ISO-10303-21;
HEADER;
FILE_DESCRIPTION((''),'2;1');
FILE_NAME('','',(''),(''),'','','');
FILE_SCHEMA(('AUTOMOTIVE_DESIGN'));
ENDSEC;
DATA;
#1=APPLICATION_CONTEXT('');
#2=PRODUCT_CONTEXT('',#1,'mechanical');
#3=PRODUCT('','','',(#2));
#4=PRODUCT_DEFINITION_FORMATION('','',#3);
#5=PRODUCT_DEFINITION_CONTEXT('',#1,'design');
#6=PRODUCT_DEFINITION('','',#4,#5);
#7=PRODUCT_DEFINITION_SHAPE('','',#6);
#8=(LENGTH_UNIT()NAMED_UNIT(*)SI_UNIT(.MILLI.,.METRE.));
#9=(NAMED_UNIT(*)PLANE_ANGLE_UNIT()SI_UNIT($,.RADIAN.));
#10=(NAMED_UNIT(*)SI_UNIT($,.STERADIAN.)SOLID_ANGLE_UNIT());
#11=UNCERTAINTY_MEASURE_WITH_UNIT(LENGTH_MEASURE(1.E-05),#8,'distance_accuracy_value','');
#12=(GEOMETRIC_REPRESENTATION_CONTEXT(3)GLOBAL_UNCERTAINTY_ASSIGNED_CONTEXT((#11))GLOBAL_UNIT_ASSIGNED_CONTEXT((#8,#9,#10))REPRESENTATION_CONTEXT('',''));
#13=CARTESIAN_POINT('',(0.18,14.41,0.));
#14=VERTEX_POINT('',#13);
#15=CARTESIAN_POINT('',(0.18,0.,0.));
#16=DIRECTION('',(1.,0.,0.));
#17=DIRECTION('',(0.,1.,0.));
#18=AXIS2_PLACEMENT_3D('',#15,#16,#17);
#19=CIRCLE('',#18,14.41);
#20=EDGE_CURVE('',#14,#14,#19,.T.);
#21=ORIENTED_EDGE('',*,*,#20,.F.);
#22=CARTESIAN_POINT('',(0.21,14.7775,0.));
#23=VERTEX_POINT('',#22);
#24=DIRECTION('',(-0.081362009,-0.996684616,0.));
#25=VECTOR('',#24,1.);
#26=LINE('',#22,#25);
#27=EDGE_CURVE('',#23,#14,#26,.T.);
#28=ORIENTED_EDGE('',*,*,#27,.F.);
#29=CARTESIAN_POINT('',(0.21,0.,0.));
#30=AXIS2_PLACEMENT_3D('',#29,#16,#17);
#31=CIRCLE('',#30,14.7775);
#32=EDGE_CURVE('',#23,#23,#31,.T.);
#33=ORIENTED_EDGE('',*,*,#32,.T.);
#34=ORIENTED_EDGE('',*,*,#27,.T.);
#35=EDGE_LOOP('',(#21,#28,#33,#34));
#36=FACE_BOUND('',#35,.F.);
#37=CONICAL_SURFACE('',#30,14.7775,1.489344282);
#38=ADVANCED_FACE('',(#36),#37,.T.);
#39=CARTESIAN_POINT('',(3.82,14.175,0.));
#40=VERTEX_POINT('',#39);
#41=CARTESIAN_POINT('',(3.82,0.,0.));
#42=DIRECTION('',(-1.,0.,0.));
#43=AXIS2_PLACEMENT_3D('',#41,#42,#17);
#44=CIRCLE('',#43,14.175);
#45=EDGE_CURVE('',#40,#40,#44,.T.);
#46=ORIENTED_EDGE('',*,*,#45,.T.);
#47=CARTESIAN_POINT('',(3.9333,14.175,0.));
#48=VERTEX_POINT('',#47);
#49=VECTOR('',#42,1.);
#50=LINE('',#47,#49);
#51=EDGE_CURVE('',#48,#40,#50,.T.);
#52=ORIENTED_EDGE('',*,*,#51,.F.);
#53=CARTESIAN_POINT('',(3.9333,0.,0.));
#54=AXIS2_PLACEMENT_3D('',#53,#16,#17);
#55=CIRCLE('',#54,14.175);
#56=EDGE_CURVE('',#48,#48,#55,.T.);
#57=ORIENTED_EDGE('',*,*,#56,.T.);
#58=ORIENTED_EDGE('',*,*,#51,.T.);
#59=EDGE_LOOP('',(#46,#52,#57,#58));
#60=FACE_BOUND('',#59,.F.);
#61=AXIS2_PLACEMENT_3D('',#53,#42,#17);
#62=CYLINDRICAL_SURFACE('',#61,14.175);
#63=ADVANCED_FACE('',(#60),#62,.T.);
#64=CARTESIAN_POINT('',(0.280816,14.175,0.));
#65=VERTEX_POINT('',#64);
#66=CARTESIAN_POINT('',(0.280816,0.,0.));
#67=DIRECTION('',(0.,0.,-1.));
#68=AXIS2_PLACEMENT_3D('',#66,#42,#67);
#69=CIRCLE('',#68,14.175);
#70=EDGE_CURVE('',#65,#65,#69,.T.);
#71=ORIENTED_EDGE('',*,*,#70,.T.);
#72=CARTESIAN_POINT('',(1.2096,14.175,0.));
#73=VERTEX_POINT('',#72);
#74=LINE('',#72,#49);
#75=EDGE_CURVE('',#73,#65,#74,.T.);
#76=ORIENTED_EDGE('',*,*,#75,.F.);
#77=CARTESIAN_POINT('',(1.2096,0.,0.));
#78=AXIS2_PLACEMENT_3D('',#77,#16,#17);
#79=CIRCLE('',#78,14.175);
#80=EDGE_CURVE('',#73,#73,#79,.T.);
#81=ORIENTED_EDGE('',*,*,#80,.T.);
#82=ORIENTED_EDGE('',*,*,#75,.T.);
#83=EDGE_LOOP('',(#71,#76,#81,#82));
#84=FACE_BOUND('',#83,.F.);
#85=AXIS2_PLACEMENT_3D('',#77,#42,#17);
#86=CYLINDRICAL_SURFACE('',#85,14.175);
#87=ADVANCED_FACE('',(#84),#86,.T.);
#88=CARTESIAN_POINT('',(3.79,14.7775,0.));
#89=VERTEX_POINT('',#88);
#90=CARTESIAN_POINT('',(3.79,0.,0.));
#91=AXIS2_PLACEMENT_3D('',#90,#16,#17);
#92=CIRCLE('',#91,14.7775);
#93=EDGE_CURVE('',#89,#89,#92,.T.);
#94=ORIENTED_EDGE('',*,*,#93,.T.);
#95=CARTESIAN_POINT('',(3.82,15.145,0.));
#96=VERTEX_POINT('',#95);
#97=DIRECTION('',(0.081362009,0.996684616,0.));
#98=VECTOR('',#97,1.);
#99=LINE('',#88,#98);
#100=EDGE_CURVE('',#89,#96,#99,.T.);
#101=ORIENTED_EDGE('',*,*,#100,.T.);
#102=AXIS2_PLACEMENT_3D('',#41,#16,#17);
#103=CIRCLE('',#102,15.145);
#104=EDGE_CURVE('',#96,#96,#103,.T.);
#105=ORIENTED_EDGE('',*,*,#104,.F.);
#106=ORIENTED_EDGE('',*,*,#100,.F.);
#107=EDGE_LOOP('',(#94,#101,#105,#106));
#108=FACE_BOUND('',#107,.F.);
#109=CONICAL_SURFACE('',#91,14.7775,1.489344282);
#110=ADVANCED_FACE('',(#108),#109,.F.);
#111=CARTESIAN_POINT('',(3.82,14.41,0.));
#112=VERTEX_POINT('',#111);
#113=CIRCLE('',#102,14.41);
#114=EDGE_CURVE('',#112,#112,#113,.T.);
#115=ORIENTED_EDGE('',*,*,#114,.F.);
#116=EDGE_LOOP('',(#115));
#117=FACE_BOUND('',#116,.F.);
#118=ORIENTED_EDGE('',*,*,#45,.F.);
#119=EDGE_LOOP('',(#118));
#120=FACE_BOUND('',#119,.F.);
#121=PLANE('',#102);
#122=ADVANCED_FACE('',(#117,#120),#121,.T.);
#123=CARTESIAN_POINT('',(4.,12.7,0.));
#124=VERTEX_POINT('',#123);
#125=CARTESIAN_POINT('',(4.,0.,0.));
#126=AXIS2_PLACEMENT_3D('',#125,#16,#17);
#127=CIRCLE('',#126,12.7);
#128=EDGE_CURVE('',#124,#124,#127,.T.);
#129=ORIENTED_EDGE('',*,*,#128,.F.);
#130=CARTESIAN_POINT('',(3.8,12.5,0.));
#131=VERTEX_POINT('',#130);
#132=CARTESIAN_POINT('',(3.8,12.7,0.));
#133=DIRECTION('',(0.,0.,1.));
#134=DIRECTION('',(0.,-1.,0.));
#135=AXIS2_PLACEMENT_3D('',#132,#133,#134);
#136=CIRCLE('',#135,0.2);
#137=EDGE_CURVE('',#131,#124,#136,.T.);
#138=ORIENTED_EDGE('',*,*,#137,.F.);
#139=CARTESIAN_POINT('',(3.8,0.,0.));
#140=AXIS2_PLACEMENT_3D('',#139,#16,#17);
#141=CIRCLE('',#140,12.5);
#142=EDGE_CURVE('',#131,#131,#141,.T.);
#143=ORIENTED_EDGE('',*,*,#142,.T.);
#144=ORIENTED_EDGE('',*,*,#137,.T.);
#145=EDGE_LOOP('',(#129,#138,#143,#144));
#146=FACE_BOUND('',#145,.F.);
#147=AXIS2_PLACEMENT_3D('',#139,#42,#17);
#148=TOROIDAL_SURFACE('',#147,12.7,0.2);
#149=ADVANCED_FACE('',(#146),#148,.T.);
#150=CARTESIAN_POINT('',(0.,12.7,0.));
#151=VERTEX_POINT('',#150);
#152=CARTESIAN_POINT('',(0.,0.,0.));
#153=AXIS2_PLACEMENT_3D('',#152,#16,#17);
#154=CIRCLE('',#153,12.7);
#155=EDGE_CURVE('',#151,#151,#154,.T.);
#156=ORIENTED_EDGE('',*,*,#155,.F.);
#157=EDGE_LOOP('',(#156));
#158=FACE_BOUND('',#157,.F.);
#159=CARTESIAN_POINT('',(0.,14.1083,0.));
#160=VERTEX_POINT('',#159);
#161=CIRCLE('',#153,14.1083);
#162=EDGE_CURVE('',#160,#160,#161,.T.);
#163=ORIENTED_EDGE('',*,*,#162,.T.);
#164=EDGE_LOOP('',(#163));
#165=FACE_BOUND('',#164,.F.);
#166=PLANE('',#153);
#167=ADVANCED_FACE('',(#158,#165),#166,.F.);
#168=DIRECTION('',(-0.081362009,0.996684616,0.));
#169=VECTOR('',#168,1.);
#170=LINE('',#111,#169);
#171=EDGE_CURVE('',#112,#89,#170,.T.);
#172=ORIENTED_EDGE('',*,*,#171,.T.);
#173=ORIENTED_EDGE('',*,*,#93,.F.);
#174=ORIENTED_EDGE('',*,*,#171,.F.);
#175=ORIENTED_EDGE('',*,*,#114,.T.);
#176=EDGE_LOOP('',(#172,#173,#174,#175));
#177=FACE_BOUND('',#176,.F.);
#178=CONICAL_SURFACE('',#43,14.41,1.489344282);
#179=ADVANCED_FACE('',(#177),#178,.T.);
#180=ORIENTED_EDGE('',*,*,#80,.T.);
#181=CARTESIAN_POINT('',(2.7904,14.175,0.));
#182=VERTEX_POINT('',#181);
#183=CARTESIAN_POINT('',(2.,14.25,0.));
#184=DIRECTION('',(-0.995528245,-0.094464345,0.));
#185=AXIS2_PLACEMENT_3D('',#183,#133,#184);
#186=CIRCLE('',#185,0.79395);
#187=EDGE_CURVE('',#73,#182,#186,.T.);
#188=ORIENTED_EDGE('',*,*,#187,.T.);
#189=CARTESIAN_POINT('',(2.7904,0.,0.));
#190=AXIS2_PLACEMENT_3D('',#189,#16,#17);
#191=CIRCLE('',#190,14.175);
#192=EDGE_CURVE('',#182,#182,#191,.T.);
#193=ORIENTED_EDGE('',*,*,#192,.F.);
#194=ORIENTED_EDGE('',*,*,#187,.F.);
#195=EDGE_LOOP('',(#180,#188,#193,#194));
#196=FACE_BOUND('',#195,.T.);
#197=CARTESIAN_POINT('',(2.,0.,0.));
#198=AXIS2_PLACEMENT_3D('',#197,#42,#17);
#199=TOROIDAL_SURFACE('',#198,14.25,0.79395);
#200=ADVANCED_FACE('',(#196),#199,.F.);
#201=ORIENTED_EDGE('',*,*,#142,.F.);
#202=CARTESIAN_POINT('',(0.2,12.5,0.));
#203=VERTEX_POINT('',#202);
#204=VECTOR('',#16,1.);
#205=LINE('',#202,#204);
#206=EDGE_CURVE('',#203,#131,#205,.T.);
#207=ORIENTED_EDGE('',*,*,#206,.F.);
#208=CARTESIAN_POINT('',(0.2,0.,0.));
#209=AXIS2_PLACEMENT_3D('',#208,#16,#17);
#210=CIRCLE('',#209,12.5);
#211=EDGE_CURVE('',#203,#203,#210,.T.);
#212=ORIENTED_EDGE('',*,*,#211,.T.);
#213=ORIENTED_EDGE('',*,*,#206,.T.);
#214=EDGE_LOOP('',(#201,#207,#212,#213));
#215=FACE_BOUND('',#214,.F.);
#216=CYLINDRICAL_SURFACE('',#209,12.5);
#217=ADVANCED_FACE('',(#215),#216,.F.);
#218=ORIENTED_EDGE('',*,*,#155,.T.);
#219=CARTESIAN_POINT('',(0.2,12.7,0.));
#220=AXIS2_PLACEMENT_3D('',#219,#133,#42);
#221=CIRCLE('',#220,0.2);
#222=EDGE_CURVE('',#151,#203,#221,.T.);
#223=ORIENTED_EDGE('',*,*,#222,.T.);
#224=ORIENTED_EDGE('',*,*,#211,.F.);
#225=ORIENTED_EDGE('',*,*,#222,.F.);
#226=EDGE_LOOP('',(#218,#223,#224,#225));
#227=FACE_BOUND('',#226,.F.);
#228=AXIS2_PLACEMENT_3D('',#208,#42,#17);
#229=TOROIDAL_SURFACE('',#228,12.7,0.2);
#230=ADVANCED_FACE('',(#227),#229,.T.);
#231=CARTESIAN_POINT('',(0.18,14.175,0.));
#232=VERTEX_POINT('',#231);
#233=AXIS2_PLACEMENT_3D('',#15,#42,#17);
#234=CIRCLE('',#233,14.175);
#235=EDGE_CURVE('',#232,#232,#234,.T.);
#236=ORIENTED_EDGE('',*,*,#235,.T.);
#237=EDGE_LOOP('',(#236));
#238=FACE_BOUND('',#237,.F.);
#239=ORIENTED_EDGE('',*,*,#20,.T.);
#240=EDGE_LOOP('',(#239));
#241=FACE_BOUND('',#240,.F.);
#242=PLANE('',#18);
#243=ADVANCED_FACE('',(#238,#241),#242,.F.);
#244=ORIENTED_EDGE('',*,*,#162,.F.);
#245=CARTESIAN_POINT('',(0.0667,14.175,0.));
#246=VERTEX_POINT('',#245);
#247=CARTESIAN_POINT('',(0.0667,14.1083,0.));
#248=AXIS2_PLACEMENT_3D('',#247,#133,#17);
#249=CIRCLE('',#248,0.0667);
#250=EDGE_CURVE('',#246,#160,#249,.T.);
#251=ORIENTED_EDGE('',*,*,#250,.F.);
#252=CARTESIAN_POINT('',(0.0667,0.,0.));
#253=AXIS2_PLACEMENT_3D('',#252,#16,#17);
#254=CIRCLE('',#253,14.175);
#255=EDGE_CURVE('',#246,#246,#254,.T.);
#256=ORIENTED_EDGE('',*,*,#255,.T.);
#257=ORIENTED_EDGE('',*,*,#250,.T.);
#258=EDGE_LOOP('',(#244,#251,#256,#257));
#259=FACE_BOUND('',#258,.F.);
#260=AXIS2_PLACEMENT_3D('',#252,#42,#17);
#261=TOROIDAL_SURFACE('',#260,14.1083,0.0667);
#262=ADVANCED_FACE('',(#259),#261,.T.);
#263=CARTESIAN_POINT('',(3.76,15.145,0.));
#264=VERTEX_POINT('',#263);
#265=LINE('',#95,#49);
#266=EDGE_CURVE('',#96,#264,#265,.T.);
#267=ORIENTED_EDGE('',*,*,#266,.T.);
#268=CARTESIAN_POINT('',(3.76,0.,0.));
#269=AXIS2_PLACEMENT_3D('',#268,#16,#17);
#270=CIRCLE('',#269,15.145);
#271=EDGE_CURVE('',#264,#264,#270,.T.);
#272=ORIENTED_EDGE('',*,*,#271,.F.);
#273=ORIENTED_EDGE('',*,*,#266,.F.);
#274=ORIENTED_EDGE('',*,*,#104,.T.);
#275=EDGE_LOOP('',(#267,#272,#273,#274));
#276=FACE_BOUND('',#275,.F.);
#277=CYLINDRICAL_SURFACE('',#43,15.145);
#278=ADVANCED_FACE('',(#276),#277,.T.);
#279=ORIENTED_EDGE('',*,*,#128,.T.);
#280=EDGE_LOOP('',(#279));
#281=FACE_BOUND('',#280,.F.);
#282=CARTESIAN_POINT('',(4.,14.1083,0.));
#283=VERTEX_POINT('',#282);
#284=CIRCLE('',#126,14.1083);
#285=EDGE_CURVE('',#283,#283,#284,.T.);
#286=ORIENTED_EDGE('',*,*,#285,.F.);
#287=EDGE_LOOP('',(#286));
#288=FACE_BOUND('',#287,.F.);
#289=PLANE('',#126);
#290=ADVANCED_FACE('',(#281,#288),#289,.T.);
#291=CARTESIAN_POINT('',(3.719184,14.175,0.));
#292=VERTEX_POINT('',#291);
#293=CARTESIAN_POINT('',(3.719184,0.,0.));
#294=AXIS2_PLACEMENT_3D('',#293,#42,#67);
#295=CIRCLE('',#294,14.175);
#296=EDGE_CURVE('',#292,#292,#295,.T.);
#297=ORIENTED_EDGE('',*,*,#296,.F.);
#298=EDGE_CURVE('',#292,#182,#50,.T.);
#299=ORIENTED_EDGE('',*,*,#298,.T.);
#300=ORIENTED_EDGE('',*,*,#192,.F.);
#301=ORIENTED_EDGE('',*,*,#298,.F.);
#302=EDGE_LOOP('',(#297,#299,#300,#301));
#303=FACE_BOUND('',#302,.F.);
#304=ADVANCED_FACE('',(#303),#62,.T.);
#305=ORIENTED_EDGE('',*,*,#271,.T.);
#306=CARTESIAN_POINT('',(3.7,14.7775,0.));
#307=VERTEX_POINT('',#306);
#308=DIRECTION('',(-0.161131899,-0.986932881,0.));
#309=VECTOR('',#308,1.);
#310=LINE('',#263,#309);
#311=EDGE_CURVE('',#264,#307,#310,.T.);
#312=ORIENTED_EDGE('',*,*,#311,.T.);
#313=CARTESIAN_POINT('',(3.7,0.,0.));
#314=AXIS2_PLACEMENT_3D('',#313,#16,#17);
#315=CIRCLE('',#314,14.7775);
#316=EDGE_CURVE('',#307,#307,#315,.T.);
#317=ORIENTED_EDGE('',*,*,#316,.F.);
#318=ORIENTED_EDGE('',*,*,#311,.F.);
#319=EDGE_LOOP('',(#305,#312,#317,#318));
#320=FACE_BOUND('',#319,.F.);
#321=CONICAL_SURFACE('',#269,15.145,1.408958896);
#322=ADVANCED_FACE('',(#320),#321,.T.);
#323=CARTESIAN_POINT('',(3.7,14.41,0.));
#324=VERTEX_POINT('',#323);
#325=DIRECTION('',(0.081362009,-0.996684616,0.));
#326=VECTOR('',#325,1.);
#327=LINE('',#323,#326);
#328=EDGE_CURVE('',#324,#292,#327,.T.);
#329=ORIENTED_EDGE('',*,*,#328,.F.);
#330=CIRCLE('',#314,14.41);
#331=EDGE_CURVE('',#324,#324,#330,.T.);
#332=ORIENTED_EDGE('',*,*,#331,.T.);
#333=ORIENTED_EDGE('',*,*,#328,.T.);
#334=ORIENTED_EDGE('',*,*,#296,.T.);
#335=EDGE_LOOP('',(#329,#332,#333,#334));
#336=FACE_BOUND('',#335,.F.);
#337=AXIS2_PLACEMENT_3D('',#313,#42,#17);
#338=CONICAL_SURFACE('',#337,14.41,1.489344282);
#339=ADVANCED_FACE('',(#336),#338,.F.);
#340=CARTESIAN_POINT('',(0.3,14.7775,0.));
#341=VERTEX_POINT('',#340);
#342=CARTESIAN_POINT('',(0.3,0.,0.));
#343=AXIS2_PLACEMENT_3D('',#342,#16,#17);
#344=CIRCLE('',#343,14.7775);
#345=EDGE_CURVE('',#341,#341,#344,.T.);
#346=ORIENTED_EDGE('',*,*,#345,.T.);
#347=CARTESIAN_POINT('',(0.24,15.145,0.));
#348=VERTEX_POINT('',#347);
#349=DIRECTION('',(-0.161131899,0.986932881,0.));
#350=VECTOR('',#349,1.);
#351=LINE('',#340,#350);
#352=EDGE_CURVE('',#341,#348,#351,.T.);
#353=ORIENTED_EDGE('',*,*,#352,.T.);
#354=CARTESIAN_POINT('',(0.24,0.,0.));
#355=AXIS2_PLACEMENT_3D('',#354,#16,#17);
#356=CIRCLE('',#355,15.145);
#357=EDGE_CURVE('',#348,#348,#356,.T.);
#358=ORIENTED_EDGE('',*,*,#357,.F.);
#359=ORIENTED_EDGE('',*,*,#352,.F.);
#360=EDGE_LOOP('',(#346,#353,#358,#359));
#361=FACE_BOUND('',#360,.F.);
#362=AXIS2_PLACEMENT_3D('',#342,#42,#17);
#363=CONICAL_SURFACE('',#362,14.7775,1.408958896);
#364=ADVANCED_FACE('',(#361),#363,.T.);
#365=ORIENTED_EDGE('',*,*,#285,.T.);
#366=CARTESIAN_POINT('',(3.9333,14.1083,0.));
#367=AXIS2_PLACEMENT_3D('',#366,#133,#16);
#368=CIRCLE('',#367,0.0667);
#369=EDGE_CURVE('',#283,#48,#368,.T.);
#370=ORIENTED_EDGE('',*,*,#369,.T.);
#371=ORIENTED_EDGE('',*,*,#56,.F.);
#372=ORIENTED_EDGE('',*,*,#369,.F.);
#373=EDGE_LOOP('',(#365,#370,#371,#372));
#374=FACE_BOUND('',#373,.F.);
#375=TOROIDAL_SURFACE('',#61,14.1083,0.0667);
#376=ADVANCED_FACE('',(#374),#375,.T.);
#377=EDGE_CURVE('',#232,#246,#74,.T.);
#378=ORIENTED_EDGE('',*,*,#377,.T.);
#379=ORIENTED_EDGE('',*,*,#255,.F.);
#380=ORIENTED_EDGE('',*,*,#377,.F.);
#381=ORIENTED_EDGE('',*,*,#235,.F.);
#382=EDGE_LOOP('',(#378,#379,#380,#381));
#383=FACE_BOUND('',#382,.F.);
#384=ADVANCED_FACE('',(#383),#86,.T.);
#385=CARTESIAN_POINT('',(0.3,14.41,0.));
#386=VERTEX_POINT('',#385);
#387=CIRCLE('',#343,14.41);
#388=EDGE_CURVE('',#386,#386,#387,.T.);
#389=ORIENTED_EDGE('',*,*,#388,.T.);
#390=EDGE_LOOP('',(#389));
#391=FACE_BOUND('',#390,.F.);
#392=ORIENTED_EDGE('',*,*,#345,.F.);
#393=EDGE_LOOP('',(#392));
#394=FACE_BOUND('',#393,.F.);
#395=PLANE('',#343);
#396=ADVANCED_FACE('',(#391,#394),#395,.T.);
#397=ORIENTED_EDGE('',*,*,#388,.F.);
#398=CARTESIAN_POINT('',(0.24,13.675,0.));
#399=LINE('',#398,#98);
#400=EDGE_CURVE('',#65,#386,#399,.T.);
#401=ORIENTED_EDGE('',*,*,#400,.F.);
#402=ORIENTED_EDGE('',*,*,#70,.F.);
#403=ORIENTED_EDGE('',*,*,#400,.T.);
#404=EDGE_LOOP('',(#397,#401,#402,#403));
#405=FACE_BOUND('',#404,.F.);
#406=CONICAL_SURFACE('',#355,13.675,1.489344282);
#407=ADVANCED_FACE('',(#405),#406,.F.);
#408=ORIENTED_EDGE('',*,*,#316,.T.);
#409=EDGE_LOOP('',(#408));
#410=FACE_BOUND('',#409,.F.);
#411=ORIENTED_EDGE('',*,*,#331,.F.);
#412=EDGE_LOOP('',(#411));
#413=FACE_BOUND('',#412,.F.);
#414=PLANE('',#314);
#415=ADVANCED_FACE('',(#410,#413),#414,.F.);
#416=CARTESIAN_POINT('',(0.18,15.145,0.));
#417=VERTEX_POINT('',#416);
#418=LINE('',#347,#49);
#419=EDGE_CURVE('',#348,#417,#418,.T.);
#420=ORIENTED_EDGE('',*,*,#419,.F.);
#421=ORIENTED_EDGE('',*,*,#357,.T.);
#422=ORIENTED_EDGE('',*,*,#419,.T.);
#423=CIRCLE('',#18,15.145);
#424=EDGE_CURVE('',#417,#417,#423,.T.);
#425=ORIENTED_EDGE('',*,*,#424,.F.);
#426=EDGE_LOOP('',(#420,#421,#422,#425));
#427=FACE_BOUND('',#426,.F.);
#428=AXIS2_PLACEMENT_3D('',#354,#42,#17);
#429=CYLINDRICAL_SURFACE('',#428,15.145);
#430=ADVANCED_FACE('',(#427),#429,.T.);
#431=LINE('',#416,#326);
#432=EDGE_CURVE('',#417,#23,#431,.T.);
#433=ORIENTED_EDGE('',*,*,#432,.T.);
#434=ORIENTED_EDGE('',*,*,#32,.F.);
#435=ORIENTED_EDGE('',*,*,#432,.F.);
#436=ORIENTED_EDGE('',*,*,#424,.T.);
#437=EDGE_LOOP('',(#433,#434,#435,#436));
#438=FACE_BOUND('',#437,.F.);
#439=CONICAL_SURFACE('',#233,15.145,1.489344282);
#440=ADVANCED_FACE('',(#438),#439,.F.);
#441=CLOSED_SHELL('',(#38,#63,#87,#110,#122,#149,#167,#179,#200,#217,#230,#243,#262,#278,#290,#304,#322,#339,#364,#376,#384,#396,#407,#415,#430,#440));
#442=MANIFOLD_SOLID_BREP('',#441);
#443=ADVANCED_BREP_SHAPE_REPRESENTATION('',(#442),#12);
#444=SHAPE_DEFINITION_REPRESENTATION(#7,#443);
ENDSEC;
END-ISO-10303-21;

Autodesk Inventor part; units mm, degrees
ref_plane "YZ Plane" through (0, 0, 0) normal (1, 0, 0) x (0, 1, 0)
ref_plane "XZ Plane" through (0, 0, 0) normal (0, 1, 0) x (-1, 0, 0)
ref_plane "XY Plane" through (0, 0, 0) normal (0, 0, 1) x (1, 0, 0)
sketch "Sketch_13" plane through (0, 0, 0) normal (0, 0, 1) x (1, 0, 0)
  line L0 (50, 0) -> (-50, 0)
  line L1 (0, 14.1083) -> (0, 12.7)
  arc A0 (0, 12.7) -> (0.2, 12.5) centre (0.2, 12.7) ccw
  line L2 (0.2, 12.5) -> (3.8, 12.5)
  arc A1 (3.8, 12.5) -> (4, 12.7) centre (3.8, 12.7) ccw
  line L3 (4, 12.7) -> (4, 14.1083)
  arc A2 (4, 14.1083) -> (3.9333, 14.175) centre (3.9333, 14.1083) ccw
  line L4 (3.9333, 14.175) -> (2.7904, 14.175)
  arc A3 (1.2096, 14.175) -> (2.7904, 14.175) centre (2, 14.25) ccw
  line L5 (1.2096, 14.175) -> (0.0667, 14.175)
  arc A4 (0.0667, 14.175) -> (0, 14.1083) centre (0.0667, 14.1083) ccw
revolve "Revolution1" add sketch "Sketch_13" angle 360 about axis through (50, 0, 0) along (1, 0, 0)
sketch "Sketch_15" plane through (0, 0, 0) normal (0, 0, 1) x (1, 0, 0)
  line L0 (50, 0) -> (-50, 0)
  line L1 (0.18, 15.145) -> (0.21, 14.7775)
  line L2 (0.21, 14.7775) -> (0.18, 14.41)
  line L3 (0.18, 14.41) -> (0.18, 13.675)
  line L4 (0.18, 13.675) -> (0.24, 13.675)
  line L5 (0.24, 13.675) -> (0.3, 14.41)
  line L6 (0.3, 14.41) -> (0.3, 14.7775)
  line L7 (0.3, 14.7775) -> (0.24, 15.145)
  line L8 (0.24, 15.145) -> (0.18, 15.145)
revolve "Revolution2" add sketch "Sketch_15" angle 360 about axis through (50, 0, 0) along (1, 0, 0)
sketch "Sketch_16" plane through (0, 0, 0) normal (0, 0, 1) x (1, 0, 0)
  line L0 (50, 0) -> (-50, 0)
  line L1 (3.7, 14.7775) -> (3.7, 14.41)
  line L2 (3.7, 14.41) -> (3.76, 13.675)
  line L3 (3.76, 13.675) -> (3.82, 13.675)
  line L4 (3.82, 13.675) -> (3.82, 14.41)
  line L5 (3.82, 14.41) -> (3.79, 14.7775)
  line L6 (3.79, 14.7775) -> (3.82, 15.145)
  line L7 (3.82, 15.145) -> (3.76, 15.145)
  line L8 (3.76, 15.145) -> (3.7, 14.7775)
revolve "Revolution3" add sketch "Sketch_16" angle 360 about axis through (50, 0, 0) along (1, 0, 0)
properties part number "SKF_W 61705-2RS1_PART1"
